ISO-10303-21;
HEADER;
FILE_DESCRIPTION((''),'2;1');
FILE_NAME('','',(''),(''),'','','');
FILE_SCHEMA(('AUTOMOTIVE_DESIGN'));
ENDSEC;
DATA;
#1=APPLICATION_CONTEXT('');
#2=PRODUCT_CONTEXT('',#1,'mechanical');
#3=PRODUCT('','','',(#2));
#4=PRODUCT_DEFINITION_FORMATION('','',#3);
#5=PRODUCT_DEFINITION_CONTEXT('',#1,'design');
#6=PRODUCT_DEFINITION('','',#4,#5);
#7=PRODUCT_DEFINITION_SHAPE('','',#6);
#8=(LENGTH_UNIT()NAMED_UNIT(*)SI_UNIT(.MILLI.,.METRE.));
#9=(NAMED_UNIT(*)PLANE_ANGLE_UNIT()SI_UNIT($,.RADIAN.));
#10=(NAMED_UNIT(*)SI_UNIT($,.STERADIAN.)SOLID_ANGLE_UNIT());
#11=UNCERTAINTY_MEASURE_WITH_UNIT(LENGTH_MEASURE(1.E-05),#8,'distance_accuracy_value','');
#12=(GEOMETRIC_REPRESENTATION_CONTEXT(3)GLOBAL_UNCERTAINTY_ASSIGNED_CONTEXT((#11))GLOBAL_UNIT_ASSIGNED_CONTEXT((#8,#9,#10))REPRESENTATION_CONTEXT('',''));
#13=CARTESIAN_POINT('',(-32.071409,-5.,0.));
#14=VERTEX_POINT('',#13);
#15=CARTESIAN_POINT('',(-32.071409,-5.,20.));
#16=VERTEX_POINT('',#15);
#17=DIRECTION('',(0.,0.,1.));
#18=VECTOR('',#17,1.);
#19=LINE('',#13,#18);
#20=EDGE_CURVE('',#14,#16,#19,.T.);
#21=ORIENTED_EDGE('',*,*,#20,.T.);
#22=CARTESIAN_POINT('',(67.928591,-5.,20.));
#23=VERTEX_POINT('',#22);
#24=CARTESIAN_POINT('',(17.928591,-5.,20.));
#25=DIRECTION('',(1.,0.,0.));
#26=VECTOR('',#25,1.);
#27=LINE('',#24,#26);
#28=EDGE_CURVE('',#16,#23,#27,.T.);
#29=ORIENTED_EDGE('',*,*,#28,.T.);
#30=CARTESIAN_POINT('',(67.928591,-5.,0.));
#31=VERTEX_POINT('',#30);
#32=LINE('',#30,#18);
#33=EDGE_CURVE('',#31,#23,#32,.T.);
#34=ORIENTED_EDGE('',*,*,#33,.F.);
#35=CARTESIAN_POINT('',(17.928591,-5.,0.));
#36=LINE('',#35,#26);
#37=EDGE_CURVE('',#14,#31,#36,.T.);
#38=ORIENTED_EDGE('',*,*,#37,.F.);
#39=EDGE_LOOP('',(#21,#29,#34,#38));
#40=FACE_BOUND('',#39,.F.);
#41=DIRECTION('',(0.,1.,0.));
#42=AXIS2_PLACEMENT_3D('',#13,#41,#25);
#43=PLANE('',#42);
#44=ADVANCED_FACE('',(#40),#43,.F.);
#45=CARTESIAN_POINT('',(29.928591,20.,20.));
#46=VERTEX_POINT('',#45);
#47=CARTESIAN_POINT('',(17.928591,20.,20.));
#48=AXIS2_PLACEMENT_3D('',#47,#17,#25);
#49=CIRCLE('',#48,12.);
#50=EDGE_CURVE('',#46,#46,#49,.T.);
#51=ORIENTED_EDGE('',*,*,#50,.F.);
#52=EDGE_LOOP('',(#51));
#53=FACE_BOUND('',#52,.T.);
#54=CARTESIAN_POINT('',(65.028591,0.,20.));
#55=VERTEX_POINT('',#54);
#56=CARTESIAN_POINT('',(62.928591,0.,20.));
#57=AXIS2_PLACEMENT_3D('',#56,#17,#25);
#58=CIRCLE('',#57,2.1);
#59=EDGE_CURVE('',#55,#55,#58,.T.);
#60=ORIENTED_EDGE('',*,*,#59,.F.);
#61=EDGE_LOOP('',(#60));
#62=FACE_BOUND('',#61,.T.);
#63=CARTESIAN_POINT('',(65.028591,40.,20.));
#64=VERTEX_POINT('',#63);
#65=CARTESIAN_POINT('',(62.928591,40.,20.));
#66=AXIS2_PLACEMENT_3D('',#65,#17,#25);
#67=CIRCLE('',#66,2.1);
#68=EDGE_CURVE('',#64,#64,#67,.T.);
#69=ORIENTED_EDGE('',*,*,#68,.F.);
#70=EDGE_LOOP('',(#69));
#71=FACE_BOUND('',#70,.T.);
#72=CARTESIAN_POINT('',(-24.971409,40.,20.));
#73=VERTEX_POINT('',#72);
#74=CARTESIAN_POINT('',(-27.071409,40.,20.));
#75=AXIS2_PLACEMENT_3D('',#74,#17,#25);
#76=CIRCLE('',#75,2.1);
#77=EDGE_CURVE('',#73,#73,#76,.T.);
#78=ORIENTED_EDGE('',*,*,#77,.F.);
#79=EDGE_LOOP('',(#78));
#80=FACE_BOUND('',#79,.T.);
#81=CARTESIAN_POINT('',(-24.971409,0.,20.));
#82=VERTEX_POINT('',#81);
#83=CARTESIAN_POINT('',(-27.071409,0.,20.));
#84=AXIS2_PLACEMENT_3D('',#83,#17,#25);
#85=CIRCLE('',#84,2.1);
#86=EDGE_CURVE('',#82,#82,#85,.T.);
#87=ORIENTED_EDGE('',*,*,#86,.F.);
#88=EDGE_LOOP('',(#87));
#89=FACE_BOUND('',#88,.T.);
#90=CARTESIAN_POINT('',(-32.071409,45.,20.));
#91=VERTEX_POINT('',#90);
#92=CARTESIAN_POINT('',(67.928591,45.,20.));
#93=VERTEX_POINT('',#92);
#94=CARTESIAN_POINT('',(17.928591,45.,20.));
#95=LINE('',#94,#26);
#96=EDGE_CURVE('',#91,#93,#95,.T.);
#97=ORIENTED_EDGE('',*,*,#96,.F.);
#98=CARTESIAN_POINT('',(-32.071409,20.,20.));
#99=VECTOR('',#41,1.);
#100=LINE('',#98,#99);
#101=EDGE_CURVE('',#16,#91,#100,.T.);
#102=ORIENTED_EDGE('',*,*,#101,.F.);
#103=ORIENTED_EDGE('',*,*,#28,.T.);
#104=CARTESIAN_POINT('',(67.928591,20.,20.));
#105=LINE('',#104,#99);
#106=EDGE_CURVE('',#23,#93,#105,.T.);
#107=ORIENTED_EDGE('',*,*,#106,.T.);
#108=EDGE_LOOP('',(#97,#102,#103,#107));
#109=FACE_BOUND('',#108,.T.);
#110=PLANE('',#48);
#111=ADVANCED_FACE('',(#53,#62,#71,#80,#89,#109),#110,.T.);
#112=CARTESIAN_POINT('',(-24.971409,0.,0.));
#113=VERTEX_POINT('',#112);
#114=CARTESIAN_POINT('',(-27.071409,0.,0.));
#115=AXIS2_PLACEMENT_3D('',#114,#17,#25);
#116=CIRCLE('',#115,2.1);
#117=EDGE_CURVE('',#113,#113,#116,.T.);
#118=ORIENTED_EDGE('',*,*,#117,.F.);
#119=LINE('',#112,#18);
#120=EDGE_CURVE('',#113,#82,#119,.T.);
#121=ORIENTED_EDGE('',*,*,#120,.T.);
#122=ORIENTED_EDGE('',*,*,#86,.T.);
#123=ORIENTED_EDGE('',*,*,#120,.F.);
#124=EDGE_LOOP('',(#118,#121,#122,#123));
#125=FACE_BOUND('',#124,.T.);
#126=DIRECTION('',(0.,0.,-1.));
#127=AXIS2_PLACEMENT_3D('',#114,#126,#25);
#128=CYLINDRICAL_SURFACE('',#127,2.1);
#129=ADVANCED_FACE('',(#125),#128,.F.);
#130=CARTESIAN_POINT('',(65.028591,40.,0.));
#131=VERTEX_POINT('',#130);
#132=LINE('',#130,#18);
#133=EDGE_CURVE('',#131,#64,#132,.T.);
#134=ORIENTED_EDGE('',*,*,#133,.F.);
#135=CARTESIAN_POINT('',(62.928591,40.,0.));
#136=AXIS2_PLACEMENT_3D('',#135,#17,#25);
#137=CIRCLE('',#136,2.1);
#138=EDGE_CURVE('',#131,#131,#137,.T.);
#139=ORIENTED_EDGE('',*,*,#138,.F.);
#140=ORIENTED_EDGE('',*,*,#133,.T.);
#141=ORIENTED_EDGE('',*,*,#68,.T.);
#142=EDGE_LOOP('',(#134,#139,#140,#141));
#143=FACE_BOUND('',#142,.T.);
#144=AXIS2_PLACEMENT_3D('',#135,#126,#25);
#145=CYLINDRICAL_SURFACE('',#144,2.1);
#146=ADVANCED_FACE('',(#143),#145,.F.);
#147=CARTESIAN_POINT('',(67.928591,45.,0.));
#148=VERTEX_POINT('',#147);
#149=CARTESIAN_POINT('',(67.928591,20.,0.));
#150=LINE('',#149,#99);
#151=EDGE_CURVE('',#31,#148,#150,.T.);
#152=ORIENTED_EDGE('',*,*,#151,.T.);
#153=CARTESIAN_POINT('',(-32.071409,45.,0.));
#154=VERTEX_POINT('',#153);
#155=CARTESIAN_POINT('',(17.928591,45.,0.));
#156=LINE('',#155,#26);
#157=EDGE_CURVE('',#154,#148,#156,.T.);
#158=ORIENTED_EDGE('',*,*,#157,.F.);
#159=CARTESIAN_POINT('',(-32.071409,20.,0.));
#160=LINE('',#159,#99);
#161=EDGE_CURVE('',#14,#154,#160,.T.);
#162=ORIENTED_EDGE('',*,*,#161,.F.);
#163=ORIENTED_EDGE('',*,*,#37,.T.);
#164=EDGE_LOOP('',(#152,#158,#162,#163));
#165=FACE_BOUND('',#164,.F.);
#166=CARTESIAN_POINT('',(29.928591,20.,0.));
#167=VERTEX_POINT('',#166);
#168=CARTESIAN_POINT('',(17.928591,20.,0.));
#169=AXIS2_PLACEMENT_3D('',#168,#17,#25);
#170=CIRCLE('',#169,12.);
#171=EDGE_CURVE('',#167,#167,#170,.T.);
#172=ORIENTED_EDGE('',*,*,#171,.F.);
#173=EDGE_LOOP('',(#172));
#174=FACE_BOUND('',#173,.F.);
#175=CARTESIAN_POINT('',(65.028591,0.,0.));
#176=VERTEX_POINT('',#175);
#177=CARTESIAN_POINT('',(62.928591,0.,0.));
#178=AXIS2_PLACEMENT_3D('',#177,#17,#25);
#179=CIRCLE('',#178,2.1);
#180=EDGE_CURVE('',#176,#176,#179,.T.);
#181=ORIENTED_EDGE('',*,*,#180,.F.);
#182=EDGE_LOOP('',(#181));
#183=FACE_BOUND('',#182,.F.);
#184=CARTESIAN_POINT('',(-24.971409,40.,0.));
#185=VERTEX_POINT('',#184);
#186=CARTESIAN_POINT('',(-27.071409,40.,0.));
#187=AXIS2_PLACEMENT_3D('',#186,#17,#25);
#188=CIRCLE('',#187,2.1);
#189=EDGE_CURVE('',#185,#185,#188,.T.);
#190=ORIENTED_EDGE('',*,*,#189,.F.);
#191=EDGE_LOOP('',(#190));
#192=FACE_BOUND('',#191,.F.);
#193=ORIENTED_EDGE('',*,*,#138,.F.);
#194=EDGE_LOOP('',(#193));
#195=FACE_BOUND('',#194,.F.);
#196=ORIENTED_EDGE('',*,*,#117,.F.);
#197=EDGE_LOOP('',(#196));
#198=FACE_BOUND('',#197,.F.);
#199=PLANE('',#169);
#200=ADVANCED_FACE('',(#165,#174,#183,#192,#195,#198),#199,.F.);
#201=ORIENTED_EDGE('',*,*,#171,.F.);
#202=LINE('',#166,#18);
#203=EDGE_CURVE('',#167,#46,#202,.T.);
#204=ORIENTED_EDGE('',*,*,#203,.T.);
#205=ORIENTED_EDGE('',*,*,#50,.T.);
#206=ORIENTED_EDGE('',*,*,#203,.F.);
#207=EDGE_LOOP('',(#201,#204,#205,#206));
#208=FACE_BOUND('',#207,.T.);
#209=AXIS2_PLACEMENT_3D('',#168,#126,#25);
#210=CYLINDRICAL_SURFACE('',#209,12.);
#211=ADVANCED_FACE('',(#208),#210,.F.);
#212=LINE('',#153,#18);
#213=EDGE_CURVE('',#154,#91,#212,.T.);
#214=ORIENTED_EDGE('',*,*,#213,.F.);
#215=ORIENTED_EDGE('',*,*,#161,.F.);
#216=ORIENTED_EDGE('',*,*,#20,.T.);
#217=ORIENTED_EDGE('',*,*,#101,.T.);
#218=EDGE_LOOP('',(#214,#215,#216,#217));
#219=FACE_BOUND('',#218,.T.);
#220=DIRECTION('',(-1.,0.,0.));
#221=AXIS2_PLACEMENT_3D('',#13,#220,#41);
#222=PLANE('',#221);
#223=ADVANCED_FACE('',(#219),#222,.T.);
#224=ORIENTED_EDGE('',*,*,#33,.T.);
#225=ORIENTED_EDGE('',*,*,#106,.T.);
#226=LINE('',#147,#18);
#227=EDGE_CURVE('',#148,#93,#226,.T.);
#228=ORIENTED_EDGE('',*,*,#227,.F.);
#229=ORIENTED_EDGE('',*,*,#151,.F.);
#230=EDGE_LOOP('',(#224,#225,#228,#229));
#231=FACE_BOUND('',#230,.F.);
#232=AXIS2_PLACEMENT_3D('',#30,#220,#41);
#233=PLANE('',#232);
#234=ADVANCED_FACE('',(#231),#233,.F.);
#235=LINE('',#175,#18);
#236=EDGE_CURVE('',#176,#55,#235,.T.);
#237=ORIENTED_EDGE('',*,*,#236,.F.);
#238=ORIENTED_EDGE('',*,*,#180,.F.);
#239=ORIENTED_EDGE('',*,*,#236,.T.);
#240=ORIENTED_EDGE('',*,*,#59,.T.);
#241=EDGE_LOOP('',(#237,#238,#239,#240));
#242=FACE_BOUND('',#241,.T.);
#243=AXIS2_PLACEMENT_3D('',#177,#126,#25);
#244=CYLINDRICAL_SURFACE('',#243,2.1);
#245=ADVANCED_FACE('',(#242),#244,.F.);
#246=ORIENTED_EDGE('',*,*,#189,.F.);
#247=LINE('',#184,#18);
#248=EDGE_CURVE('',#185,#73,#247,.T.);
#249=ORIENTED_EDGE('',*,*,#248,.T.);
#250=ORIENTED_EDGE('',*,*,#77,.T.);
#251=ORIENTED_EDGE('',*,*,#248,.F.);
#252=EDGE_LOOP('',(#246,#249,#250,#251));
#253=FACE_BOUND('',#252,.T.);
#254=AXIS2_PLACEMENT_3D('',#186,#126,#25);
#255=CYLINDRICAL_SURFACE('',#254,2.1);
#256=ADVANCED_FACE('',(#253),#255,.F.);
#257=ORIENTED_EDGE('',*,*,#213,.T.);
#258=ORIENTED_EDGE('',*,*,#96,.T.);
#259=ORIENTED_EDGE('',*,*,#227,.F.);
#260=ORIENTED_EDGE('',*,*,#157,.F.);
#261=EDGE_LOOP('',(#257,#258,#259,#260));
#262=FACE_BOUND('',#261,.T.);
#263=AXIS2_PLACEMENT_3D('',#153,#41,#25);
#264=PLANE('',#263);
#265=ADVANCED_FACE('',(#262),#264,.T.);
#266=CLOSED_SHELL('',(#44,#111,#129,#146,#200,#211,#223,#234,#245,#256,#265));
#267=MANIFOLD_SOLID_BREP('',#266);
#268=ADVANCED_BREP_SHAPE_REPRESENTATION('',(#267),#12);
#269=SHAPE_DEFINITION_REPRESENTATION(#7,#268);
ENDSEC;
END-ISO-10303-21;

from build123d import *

# Parameters (mm, degrees)
F0_W     = 100
F0_H     = 50
F0_R     = 2.1
F0_R_2   = 12
F1_DEPTH = 20


with BuildPart() as f1:
    # F0 (on Top) → F1 (new body)
    with BuildSketch(Plane.XY):
        with Locations((17.928591, 20)):
            Rectangle(F0_W, F0_H)
        with Locations((-27.071409, 0)):
            Circle(F0_R, mode=Mode.SUBTRACT)
        with Locations((62.928591, 0)):
            Circle(F0_R, mode=Mode.SUBTRACT)
        with Locations((-27.071409, 40)):
            Circle(F0_R, mode=Mode.SUBTRACT)
        with Locations((17.928591, 20)):
            Circle(F0_R_2, mode=Mode.SUBTRACT)
        with Locations((62.928591, 40)):
            Circle(F0_R, mode=Mode.SUBTRACT)
    extrude(amount=F1_DEPTH)


solid = f1.part
